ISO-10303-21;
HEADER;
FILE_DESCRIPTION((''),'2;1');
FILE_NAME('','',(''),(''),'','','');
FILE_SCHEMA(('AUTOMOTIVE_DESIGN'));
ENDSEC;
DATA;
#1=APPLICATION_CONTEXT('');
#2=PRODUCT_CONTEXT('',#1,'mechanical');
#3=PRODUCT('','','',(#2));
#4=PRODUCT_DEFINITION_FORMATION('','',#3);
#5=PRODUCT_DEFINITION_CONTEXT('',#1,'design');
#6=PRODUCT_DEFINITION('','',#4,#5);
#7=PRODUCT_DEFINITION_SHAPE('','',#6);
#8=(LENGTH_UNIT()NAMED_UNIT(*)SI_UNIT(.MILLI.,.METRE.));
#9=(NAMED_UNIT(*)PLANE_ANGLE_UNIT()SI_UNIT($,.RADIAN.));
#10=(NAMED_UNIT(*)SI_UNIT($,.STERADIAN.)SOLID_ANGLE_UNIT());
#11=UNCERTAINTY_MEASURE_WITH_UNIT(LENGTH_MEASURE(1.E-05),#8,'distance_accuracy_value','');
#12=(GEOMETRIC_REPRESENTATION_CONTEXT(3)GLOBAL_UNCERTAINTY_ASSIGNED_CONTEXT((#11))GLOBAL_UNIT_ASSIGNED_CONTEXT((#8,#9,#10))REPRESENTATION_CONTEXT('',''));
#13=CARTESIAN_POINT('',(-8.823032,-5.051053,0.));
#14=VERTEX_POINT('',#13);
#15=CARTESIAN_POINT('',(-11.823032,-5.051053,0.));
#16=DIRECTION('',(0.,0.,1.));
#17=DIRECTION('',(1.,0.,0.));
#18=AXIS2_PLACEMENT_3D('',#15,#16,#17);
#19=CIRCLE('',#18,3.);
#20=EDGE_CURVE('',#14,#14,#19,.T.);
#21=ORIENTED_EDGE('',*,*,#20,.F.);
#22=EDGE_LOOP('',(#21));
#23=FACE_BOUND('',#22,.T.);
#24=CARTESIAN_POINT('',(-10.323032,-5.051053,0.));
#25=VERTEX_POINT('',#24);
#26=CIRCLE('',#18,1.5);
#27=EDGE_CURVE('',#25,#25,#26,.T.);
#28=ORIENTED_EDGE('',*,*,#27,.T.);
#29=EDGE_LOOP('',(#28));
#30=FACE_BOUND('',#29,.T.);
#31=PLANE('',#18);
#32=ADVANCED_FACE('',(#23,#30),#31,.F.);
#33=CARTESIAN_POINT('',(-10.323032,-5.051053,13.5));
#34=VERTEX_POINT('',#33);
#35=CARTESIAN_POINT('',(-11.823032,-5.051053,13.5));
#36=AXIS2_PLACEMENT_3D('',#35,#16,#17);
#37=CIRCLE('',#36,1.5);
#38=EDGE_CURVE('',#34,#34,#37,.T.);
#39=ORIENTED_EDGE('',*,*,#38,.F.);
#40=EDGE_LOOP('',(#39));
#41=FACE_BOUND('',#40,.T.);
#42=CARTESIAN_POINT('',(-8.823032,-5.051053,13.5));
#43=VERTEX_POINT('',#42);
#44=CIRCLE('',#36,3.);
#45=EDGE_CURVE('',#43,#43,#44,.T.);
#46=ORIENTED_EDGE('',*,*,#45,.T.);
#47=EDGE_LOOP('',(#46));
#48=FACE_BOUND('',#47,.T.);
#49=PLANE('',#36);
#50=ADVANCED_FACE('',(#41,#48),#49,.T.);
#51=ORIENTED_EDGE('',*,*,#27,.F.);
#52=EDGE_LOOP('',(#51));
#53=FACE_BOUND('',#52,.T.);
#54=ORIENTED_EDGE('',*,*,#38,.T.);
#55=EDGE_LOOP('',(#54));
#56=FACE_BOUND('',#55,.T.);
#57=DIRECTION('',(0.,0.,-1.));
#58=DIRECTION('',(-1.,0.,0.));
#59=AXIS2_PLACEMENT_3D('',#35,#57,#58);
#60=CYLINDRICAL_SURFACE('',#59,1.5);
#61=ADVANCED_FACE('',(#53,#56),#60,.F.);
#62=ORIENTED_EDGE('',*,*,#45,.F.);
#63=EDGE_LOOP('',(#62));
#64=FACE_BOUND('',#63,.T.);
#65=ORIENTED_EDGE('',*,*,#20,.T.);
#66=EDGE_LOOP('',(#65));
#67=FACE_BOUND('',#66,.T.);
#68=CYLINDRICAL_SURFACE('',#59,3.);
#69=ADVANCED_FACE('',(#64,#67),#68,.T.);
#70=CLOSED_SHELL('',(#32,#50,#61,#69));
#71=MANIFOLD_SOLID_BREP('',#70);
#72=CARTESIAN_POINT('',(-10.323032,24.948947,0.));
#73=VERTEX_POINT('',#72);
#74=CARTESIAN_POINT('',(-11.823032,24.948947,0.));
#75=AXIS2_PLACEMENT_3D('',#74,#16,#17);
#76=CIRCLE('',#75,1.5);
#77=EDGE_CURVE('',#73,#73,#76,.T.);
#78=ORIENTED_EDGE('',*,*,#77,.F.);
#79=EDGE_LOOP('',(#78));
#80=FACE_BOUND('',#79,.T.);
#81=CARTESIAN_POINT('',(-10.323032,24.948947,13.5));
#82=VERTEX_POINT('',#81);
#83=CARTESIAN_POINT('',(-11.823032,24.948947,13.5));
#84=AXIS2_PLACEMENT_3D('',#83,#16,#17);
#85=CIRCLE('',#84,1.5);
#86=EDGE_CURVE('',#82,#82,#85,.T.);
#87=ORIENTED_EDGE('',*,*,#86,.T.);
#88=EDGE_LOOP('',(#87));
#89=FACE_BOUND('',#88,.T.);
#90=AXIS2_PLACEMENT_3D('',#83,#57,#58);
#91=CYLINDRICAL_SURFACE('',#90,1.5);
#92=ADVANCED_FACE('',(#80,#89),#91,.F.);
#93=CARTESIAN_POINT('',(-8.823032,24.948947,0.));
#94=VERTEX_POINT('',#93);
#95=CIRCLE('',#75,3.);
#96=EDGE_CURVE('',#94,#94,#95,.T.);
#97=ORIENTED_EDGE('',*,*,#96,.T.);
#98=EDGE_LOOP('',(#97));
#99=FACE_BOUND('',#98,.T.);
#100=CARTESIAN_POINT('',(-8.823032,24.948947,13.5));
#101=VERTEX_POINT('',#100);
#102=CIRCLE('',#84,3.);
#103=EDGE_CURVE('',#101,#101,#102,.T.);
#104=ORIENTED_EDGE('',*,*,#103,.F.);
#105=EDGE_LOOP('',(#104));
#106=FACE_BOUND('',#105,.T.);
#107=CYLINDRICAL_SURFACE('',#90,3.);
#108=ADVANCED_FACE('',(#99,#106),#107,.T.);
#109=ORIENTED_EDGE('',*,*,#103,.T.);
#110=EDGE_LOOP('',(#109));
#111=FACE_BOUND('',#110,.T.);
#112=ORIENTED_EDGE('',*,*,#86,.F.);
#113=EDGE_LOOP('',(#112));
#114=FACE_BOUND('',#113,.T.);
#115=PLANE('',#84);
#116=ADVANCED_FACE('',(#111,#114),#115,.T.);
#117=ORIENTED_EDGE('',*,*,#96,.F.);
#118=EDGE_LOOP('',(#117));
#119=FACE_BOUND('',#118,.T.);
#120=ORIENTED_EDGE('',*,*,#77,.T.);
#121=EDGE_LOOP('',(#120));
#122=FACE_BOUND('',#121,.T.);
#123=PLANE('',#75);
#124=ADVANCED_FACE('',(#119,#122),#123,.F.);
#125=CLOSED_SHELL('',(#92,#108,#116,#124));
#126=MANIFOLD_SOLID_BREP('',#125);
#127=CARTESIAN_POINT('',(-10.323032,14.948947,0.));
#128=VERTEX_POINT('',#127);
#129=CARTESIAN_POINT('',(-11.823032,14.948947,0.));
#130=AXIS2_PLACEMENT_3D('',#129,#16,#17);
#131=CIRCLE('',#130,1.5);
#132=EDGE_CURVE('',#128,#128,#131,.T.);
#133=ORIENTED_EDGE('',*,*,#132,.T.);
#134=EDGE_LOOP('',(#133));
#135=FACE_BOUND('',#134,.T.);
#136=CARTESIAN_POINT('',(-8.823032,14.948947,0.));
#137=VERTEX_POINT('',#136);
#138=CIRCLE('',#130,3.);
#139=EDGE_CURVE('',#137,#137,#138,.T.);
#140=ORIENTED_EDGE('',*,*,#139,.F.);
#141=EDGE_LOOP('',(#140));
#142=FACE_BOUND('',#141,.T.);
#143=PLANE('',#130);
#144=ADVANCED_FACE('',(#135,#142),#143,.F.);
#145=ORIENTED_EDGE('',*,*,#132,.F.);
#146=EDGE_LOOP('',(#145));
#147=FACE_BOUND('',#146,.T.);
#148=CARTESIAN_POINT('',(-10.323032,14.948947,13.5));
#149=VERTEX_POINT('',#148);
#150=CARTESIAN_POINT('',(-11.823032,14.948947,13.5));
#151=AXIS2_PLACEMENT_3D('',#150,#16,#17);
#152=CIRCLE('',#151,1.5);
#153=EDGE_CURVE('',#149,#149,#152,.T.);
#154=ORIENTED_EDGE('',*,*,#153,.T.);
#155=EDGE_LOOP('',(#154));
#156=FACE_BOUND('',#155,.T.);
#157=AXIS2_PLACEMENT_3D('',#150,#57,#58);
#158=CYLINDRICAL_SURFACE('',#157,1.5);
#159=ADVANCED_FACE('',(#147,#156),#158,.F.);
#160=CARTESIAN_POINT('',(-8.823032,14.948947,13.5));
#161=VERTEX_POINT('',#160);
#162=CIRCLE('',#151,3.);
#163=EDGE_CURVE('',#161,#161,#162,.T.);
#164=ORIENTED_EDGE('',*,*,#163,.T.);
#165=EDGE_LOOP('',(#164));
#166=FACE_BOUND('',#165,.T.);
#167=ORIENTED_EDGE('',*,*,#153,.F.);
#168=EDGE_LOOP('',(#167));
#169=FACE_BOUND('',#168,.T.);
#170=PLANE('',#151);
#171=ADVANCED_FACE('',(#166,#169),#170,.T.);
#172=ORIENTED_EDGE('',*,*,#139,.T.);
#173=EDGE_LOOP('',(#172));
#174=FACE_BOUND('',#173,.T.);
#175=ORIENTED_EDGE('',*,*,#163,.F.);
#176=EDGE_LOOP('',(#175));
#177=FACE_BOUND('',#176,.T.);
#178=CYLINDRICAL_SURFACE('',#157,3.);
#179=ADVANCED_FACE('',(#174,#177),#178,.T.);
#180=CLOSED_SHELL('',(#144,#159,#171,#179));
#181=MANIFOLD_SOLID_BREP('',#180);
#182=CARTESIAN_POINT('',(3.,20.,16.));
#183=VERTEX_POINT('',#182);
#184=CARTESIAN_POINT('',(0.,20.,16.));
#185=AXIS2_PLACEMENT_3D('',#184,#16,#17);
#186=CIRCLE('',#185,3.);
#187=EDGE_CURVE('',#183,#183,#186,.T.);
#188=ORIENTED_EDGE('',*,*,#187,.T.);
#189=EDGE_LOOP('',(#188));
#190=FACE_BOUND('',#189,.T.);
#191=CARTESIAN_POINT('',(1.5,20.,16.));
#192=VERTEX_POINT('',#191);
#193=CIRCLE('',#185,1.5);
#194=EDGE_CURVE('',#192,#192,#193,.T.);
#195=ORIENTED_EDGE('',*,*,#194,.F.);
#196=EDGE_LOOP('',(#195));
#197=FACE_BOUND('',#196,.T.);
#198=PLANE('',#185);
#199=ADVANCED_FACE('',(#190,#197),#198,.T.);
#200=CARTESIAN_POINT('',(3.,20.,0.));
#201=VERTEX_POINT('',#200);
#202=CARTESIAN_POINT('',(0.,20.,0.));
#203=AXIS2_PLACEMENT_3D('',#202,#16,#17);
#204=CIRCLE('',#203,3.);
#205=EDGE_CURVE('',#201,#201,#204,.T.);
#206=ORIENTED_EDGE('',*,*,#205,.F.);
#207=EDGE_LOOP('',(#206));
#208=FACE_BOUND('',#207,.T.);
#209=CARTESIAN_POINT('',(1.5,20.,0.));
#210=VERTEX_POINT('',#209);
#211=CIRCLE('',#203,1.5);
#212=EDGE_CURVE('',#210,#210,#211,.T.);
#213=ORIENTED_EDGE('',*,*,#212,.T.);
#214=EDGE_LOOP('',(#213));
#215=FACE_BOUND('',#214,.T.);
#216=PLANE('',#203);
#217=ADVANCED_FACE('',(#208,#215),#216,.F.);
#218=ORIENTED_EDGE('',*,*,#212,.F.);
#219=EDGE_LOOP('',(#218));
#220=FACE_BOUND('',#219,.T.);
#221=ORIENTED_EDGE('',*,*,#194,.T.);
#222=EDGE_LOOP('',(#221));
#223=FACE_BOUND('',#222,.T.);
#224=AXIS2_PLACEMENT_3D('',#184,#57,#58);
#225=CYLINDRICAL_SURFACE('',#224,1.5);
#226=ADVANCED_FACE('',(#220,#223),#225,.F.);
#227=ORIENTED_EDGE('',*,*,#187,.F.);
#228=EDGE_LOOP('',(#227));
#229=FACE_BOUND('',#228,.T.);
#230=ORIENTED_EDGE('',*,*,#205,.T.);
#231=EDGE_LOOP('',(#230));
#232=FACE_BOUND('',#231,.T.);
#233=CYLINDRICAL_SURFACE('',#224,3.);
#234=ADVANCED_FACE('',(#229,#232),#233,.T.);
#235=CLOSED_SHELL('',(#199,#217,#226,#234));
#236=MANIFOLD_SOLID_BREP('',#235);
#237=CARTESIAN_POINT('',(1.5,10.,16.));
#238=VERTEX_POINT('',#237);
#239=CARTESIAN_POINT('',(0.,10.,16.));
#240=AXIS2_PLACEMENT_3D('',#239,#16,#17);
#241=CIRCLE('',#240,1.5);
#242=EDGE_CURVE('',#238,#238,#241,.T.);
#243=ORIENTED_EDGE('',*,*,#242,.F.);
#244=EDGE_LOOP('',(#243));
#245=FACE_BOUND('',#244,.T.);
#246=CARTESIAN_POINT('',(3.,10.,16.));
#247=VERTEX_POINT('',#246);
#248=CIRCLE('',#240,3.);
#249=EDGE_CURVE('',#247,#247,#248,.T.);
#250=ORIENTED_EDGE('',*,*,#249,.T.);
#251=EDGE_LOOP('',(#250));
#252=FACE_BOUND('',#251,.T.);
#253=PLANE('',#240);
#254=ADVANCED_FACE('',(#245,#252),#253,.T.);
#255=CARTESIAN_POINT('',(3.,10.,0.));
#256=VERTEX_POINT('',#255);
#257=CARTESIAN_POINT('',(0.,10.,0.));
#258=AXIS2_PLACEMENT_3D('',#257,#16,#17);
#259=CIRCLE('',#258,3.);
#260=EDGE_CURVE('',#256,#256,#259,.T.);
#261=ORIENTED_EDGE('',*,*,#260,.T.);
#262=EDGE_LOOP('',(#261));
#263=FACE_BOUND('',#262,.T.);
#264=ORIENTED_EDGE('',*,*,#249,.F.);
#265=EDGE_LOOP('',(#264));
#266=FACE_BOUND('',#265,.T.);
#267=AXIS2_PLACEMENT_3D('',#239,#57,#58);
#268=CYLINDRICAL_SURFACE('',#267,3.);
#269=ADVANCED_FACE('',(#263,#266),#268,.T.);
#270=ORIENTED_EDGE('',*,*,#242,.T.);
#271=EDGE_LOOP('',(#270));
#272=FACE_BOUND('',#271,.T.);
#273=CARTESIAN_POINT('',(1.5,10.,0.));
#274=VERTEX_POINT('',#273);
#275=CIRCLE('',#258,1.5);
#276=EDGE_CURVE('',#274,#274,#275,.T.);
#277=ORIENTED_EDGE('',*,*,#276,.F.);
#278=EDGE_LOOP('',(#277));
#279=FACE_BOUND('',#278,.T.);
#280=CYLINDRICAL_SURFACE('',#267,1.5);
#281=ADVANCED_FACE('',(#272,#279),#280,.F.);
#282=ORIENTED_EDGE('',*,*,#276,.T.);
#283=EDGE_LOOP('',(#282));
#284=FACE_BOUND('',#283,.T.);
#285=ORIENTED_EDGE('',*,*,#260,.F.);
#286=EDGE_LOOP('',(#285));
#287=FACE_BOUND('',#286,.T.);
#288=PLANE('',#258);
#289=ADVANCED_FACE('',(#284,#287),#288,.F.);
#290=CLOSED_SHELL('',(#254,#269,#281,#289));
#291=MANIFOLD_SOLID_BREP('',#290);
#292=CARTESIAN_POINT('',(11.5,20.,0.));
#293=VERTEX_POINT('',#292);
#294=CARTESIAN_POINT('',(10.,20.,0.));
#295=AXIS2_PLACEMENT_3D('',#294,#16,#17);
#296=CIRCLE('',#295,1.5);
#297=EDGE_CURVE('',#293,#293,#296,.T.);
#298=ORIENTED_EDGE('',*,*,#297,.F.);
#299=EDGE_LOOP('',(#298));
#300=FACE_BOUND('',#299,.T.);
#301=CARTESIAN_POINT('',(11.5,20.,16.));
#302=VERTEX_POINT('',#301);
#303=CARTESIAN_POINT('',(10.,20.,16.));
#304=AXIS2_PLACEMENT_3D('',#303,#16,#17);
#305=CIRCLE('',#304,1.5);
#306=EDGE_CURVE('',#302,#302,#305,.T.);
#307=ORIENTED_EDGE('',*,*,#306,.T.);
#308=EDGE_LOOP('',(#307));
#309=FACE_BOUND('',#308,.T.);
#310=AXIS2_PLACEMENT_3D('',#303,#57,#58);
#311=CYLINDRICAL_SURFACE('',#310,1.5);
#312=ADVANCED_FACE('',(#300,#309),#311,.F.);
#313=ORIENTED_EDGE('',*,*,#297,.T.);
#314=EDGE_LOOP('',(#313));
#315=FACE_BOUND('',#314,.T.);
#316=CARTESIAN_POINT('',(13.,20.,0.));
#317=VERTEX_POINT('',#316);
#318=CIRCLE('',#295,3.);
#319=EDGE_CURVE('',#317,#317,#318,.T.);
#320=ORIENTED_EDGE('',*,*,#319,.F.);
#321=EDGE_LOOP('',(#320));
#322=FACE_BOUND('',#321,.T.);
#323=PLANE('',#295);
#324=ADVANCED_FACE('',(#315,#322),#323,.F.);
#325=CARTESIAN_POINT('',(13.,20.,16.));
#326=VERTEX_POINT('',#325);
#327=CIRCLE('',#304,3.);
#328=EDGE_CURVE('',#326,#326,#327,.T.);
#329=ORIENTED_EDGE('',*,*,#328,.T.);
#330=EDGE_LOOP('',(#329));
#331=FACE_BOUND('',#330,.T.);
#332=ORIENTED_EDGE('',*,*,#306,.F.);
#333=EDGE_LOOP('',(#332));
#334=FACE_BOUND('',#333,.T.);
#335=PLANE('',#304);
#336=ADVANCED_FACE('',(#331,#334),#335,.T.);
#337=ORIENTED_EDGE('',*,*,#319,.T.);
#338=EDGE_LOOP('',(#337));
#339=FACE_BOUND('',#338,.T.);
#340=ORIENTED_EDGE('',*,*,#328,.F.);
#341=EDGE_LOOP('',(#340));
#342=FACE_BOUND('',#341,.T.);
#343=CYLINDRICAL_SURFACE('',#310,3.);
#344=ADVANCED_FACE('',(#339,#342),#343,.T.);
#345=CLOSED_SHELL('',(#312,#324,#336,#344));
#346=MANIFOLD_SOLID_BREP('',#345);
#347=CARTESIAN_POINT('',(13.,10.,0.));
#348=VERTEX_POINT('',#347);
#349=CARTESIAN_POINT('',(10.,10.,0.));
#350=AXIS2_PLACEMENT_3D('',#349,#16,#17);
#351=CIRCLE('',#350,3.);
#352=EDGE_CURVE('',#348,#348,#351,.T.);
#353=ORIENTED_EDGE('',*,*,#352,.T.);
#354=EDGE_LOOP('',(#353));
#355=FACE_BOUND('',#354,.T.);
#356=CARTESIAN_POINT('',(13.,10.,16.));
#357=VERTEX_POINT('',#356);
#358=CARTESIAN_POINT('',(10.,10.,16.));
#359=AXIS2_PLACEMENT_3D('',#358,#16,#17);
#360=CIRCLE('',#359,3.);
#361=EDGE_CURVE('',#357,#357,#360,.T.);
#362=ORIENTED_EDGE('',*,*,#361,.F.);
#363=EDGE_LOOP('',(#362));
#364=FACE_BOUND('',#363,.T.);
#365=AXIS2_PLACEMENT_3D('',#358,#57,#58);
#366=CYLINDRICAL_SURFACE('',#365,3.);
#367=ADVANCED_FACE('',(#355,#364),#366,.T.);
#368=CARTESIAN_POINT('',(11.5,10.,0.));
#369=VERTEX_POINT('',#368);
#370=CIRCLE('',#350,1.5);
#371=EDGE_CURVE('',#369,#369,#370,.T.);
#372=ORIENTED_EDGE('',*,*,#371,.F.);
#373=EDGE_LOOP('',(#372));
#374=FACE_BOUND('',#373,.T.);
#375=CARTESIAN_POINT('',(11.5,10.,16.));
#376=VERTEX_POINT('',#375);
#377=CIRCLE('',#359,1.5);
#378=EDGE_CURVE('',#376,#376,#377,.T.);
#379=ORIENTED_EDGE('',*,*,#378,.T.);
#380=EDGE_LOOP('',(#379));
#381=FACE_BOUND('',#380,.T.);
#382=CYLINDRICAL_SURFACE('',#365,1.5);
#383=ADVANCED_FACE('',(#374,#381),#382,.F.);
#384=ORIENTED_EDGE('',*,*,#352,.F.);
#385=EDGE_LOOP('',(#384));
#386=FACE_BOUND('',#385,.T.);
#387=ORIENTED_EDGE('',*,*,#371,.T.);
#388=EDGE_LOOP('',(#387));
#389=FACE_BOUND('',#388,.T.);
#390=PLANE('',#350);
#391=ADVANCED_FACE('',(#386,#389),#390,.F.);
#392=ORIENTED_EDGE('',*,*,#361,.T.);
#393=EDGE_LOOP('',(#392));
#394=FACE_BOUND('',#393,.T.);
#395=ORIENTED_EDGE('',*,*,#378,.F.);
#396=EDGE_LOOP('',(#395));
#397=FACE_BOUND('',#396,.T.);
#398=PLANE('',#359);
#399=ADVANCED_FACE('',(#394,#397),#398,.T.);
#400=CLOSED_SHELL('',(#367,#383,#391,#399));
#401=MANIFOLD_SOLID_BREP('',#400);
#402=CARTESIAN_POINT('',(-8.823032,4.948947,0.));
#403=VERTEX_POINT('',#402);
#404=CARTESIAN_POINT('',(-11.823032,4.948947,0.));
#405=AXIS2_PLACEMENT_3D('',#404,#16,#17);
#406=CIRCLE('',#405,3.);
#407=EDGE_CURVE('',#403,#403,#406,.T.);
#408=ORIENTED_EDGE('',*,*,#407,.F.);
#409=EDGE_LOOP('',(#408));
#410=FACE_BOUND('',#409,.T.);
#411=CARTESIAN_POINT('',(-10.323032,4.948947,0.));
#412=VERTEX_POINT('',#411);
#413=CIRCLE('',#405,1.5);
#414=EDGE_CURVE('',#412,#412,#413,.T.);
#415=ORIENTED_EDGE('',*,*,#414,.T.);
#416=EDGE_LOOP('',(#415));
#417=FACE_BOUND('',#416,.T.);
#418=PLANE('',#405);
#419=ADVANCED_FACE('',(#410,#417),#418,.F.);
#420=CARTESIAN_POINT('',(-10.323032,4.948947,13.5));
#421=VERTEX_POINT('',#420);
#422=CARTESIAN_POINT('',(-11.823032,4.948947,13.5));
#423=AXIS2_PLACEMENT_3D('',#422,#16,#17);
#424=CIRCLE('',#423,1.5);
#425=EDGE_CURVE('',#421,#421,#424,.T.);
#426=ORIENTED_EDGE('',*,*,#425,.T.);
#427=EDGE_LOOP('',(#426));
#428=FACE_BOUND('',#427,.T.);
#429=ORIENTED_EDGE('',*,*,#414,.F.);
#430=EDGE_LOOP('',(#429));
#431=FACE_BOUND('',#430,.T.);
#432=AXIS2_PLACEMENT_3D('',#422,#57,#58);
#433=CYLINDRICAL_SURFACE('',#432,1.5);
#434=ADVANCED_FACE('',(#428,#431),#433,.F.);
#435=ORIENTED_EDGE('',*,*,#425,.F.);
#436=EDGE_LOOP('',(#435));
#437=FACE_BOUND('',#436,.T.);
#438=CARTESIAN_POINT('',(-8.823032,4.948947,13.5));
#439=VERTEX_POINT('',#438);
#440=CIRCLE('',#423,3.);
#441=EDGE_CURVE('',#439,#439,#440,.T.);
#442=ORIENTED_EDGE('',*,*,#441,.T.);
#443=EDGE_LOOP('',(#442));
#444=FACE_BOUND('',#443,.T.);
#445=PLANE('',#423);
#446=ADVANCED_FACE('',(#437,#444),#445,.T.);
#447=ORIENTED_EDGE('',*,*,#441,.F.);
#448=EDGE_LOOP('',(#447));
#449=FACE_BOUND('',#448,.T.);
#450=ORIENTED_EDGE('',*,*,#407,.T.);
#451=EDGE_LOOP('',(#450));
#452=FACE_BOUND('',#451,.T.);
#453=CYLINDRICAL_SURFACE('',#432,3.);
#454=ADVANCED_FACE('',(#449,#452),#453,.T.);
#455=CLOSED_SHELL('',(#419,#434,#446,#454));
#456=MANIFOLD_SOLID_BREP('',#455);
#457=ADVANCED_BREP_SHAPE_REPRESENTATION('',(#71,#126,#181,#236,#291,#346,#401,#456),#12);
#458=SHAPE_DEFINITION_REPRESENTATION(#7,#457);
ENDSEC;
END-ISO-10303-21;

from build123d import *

# Parameters (mm, degrees)
ESQUISSE1_R                = 3
ESQUISSE1_R_2              = 1.5
BOSS_EXTRU_1_DEPTH         = 16
BOSS_EXTRU_1_2_DEPTH       = 16
BOSS_EXTRU_1_3_DEPTH       = 16
BOSS_EXTRU_1_4_DEPTH       = 16
ESQUISSE2_R                = 3
ESQUISSE2_R_2              = 1.5
BOSS_EXTRU_2_DEPTH         = 13.5
BOSS_EXTRU_2_2_DEPTH       = 13.5
R_P_TITION_LIN_AIRE1_COUNT = 2
R_P_TITION_LIN_AIRE1_PITCH = 20


with BuildPart() as part:
    # Esquisse1 → Boss.-Extru.1 (new body)
    with BuildSketch(Plane.XY):
        with Locations((10, 10)):
            Circle(ESQUISSE1_R)
        with Locations((10, 10)):
            Circle(ESQUISSE1_R_2, mode=Mode.SUBTRACT)
    extrude(amount=BOSS_EXTRU_1_DEPTH)


with BuildPart() as body_2:
    # Esquisse1 → Boss.-Extru.1 2 (new body)
    with BuildSketch(Plane.XY):
        with Locations((10, 20)):
            Circle(ESQUISSE1_R)
        with Locations((10, 20)):
            Circle(ESQUISSE1_R_2, mode=Mode.SUBTRACT)
    extrude(amount=BOSS_EXTRU_1_2_DEPTH)


with BuildPart() as body_3:
    # Esquisse1 → Boss.-Extru.1 3 (new body)
    with BuildSketch(Plane.XY):
        with Locations((0, 10)):
            Circle(ESQUISSE1_R)
        with Locations((0, 10)):
            Circle(ESQUISSE1_R_2, mode=Mode.SUBTRACT)
    extrude(amount=BOSS_EXTRU_1_3_DEPTH)


with BuildPart() as body_4:
    # Esquisse1 → Boss.-Extru.1 4 (new body)
    with BuildSketch(Plane.XY):
        with Locations((0, 20)):
            Circle(ESQUISSE1_R)
        with Locations((0, 20)):
            Circle(ESQUISSE1_R_2, mode=Mode.SUBTRACT)
    extrude(amount=BOSS_EXTRU_1_4_DEPTH)


with BuildPart() as body_5:
    # Esquisse2 → Boss.-Extru.2 (new body)
    with BuildSketch(Plane.XY):
        with Locations((-11.823031731, 14.948946981)):
            Circle(ESQUISSE2_R)
        with Locations((-11.823031731, 14.948946981)):
            Circle(ESQUISSE2_R_2, mode=Mode.SUBTRACT)
    boss_extru_2 = extrude(amount=BOSS_EXTRU_2_DEPTH)


with BuildPart() as body_6:
    # Esquisse2 → Boss.-Extru.2 2 (new body)
    with BuildSketch(Plane.XY):
        with Locations((-11.823031731, 24.948946981)):
            Circle(ESQUISSE2_R)
        with Locations((-11.823031731, 24.948946981)):
            Circle(ESQUISSE2_R_2, mode=Mode.SUBTRACT)
    boss_extru_2_2 = extrude(amount=BOSS_EXTRU_2_2_DEPTH)


with BuildPart() as r_p_tition_lin_aire1_1:
    # Répétition linéaire1: Boss.-Extru.2, Boss.-Extru.2 2 ×2
    with Locations(*[(0, -i * R_P_TITION_LIN_AIRE1_PITCH, 0) for i in range(1, R_P_TITION_LIN_AIRE1_COUNT)]):
        add(boss_extru_2)
        add(boss_extru_2_2)


solid = Compound([part.part, body_2.part, body_3.part, body_4.part, body_5.part, body_6.part, r_p_tition_lin_aire1_1.part])
